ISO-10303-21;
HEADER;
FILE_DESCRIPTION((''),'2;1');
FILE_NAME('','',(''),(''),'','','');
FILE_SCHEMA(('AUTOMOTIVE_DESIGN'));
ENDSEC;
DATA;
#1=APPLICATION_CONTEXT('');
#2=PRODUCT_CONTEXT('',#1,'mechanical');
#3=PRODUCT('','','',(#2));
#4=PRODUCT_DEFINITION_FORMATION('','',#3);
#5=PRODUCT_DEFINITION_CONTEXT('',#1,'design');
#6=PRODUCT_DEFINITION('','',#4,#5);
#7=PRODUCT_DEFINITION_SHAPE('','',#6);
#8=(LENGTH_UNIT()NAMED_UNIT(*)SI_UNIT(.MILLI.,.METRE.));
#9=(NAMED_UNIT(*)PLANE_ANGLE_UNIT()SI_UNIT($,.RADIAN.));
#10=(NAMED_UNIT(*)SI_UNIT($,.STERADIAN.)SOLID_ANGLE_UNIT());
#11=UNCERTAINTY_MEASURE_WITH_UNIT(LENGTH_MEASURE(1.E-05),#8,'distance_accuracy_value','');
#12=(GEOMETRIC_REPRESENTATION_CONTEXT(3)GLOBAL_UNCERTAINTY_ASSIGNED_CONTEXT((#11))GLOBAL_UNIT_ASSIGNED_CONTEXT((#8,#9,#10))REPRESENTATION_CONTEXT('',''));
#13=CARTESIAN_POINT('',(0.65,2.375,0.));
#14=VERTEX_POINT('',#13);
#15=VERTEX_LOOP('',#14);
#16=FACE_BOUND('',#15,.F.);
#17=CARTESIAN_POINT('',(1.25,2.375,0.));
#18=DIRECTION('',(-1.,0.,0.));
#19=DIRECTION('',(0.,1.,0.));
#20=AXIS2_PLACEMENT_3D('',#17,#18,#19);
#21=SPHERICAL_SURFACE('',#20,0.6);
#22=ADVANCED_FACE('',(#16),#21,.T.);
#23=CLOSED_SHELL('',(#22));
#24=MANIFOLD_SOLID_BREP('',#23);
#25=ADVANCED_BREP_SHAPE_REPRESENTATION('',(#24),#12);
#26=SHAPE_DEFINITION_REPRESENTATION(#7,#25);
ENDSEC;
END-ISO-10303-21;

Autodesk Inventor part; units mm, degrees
ref_plane "YZ Plane" through (0, 0, 0) normal (1, 0, 0) x (0, 1, 0)
ref_plane "XZ Plane" through (0, 0, 0) normal (0, 1, 0) x (-1, 0, 0)
ref_plane "XY Plane" through (0, 0, 0) normal (0, 0, 1) x (1, 0, 0)
sketch "Sketch_6" plane through (0, 0, 0) normal (0, 0, 1) x (1, 0, 0)
  line L0 (1.85, 2.375) -> (0.65, 2.375)
  arc A0 (1.85, 2.375) -> (0.65, 2.375) centre (1.25, 2.375) ccw
  line L1 (1.85, 2.375) -> (0.65, 2.375)
  dimension "d0" = 360
revolve "Revolution1" add sketch "Sketch_6" angle 360 about axis through (1.85, 2.375, 0) along (1, 0, 0)
properties part number "W 619/2.5 R_PART3"
